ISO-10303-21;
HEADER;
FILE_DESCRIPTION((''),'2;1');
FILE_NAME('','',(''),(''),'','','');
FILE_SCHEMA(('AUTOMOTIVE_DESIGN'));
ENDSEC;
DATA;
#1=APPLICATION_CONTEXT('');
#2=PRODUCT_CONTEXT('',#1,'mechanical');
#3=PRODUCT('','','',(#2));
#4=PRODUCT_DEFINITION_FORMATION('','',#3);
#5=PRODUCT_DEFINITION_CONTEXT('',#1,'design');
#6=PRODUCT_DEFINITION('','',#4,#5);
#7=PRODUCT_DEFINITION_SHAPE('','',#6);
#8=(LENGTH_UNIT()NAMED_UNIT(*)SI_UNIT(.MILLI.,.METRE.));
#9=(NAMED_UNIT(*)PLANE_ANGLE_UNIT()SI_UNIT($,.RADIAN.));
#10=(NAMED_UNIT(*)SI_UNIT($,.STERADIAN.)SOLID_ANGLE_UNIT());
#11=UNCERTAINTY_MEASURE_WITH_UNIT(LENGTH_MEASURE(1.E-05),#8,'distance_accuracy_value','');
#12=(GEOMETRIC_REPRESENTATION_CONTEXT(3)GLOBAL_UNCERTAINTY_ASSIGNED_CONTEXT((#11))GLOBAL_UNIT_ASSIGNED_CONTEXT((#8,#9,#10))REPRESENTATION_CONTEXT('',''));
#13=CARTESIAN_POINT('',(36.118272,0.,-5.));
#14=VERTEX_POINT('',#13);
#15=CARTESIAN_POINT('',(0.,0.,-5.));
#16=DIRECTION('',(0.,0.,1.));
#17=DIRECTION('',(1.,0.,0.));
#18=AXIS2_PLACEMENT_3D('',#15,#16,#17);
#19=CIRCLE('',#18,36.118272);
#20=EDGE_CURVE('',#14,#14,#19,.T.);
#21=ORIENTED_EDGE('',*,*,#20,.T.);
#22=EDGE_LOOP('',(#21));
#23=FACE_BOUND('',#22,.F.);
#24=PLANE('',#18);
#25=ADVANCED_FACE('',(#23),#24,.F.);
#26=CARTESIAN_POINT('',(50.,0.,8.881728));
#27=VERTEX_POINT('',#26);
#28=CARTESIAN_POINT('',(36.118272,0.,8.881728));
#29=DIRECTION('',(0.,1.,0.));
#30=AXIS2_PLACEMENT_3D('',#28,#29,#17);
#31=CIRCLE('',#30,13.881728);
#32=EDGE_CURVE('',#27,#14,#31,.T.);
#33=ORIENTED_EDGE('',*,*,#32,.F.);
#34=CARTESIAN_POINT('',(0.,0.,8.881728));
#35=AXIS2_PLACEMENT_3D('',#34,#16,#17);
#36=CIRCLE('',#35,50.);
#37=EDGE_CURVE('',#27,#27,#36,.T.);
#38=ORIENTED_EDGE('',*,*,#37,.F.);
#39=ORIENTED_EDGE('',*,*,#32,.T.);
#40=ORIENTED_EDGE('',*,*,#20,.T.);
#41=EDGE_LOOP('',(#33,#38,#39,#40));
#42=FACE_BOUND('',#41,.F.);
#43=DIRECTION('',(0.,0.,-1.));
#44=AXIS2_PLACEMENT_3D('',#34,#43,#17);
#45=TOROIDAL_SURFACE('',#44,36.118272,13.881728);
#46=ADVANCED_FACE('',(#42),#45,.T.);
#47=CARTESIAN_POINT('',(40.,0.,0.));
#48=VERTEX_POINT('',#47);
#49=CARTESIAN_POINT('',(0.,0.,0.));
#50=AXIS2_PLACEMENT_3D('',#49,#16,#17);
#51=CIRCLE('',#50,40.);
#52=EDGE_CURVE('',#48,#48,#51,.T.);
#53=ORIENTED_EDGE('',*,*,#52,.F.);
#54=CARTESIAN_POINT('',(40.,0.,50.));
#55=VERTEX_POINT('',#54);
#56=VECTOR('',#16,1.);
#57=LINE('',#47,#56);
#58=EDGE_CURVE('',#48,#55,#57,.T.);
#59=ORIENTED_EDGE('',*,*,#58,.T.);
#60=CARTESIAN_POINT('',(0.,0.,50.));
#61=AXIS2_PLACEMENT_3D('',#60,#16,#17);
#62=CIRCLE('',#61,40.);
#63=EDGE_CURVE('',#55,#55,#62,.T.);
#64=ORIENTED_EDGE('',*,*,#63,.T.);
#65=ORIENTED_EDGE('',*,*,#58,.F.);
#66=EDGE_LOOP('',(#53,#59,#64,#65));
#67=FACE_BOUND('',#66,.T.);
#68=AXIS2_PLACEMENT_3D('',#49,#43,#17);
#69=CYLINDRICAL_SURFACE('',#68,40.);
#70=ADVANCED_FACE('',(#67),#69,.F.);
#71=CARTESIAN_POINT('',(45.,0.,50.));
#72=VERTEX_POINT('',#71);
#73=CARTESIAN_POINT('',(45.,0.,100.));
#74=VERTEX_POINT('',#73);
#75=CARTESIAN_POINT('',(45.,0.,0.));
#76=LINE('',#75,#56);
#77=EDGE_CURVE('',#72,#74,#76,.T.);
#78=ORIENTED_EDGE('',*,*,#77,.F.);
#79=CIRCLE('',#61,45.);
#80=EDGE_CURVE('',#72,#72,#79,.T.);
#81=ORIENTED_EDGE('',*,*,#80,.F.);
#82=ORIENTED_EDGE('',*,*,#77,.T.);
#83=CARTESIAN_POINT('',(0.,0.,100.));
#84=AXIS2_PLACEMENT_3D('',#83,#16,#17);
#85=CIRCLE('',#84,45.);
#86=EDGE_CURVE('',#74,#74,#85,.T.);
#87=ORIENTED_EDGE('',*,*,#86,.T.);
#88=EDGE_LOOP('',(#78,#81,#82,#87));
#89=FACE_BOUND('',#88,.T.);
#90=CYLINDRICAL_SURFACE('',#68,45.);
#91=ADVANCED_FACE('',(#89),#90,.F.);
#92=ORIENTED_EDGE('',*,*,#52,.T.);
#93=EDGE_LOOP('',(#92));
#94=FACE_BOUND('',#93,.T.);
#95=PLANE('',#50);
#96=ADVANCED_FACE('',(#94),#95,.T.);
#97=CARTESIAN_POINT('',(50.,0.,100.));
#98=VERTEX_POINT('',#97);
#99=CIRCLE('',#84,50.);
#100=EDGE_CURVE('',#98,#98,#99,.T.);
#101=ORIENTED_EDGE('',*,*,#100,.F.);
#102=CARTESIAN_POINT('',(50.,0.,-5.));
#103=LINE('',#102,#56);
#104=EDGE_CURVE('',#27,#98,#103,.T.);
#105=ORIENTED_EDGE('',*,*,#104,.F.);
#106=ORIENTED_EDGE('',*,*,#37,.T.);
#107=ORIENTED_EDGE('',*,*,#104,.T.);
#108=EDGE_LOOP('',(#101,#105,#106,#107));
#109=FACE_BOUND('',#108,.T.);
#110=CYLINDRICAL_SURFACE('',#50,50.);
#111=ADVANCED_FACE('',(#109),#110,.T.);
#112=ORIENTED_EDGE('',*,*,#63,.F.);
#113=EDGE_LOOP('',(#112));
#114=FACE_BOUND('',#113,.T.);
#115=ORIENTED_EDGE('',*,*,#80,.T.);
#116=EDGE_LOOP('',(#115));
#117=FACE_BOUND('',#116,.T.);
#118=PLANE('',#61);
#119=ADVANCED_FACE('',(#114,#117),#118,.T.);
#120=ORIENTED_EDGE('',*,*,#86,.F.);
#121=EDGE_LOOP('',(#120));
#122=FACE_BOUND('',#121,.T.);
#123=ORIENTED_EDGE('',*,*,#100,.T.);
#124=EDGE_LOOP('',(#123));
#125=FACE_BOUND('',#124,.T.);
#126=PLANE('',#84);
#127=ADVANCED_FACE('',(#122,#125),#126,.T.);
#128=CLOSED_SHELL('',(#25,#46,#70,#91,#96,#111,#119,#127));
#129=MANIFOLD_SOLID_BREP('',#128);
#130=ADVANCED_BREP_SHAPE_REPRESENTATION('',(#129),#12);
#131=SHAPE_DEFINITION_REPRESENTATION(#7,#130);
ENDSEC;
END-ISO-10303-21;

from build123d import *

# Parameters (mm, degrees)
F0_R     = 50
F0_R_2   = 45
F1_DEPTH = 100
F0_R_3   = 40
F2_DEPTH = 5
F3_R     = 13.8817279836
F4_DEPTH = 50


with BuildPart() as f1:
    # F0 (on Top) → F1 (new body)
    with BuildSketch(Plane.XY):
        Circle(F0_R)
        Circle(F0_R_2, mode=Mode.SUBTRACT)
    extrude(amount=F1_DEPTH)

    # F0 (on Top) → F2 (join)
    with BuildSketch(Plane.XY):
        Circle(F0_R)
        Circle(F0_R_2, mode=Mode.SUBTRACT)
        Circle(F0_R_2)
        Circle(F0_R_3, mode=Mode.SUBTRACT)
        Circle(F0_R_3)
    extrude(amount=-F2_DEPTH)

    # F3
    f3_edges = [f1.edges().sort_by_distance(p)[0] for p in [
        (-50, 0, -5),
    ]]
    fillet(f3_edges, radius=F3_R)

    # F0 (on Top) → F4 (join)
    with BuildSketch(Plane.XY):
        Circle(F0_R_2)
        Circle(F0_R_3, mode=Mode.SUBTRACT)
    extrude(amount=F4_DEPTH)


solid = f1.part
